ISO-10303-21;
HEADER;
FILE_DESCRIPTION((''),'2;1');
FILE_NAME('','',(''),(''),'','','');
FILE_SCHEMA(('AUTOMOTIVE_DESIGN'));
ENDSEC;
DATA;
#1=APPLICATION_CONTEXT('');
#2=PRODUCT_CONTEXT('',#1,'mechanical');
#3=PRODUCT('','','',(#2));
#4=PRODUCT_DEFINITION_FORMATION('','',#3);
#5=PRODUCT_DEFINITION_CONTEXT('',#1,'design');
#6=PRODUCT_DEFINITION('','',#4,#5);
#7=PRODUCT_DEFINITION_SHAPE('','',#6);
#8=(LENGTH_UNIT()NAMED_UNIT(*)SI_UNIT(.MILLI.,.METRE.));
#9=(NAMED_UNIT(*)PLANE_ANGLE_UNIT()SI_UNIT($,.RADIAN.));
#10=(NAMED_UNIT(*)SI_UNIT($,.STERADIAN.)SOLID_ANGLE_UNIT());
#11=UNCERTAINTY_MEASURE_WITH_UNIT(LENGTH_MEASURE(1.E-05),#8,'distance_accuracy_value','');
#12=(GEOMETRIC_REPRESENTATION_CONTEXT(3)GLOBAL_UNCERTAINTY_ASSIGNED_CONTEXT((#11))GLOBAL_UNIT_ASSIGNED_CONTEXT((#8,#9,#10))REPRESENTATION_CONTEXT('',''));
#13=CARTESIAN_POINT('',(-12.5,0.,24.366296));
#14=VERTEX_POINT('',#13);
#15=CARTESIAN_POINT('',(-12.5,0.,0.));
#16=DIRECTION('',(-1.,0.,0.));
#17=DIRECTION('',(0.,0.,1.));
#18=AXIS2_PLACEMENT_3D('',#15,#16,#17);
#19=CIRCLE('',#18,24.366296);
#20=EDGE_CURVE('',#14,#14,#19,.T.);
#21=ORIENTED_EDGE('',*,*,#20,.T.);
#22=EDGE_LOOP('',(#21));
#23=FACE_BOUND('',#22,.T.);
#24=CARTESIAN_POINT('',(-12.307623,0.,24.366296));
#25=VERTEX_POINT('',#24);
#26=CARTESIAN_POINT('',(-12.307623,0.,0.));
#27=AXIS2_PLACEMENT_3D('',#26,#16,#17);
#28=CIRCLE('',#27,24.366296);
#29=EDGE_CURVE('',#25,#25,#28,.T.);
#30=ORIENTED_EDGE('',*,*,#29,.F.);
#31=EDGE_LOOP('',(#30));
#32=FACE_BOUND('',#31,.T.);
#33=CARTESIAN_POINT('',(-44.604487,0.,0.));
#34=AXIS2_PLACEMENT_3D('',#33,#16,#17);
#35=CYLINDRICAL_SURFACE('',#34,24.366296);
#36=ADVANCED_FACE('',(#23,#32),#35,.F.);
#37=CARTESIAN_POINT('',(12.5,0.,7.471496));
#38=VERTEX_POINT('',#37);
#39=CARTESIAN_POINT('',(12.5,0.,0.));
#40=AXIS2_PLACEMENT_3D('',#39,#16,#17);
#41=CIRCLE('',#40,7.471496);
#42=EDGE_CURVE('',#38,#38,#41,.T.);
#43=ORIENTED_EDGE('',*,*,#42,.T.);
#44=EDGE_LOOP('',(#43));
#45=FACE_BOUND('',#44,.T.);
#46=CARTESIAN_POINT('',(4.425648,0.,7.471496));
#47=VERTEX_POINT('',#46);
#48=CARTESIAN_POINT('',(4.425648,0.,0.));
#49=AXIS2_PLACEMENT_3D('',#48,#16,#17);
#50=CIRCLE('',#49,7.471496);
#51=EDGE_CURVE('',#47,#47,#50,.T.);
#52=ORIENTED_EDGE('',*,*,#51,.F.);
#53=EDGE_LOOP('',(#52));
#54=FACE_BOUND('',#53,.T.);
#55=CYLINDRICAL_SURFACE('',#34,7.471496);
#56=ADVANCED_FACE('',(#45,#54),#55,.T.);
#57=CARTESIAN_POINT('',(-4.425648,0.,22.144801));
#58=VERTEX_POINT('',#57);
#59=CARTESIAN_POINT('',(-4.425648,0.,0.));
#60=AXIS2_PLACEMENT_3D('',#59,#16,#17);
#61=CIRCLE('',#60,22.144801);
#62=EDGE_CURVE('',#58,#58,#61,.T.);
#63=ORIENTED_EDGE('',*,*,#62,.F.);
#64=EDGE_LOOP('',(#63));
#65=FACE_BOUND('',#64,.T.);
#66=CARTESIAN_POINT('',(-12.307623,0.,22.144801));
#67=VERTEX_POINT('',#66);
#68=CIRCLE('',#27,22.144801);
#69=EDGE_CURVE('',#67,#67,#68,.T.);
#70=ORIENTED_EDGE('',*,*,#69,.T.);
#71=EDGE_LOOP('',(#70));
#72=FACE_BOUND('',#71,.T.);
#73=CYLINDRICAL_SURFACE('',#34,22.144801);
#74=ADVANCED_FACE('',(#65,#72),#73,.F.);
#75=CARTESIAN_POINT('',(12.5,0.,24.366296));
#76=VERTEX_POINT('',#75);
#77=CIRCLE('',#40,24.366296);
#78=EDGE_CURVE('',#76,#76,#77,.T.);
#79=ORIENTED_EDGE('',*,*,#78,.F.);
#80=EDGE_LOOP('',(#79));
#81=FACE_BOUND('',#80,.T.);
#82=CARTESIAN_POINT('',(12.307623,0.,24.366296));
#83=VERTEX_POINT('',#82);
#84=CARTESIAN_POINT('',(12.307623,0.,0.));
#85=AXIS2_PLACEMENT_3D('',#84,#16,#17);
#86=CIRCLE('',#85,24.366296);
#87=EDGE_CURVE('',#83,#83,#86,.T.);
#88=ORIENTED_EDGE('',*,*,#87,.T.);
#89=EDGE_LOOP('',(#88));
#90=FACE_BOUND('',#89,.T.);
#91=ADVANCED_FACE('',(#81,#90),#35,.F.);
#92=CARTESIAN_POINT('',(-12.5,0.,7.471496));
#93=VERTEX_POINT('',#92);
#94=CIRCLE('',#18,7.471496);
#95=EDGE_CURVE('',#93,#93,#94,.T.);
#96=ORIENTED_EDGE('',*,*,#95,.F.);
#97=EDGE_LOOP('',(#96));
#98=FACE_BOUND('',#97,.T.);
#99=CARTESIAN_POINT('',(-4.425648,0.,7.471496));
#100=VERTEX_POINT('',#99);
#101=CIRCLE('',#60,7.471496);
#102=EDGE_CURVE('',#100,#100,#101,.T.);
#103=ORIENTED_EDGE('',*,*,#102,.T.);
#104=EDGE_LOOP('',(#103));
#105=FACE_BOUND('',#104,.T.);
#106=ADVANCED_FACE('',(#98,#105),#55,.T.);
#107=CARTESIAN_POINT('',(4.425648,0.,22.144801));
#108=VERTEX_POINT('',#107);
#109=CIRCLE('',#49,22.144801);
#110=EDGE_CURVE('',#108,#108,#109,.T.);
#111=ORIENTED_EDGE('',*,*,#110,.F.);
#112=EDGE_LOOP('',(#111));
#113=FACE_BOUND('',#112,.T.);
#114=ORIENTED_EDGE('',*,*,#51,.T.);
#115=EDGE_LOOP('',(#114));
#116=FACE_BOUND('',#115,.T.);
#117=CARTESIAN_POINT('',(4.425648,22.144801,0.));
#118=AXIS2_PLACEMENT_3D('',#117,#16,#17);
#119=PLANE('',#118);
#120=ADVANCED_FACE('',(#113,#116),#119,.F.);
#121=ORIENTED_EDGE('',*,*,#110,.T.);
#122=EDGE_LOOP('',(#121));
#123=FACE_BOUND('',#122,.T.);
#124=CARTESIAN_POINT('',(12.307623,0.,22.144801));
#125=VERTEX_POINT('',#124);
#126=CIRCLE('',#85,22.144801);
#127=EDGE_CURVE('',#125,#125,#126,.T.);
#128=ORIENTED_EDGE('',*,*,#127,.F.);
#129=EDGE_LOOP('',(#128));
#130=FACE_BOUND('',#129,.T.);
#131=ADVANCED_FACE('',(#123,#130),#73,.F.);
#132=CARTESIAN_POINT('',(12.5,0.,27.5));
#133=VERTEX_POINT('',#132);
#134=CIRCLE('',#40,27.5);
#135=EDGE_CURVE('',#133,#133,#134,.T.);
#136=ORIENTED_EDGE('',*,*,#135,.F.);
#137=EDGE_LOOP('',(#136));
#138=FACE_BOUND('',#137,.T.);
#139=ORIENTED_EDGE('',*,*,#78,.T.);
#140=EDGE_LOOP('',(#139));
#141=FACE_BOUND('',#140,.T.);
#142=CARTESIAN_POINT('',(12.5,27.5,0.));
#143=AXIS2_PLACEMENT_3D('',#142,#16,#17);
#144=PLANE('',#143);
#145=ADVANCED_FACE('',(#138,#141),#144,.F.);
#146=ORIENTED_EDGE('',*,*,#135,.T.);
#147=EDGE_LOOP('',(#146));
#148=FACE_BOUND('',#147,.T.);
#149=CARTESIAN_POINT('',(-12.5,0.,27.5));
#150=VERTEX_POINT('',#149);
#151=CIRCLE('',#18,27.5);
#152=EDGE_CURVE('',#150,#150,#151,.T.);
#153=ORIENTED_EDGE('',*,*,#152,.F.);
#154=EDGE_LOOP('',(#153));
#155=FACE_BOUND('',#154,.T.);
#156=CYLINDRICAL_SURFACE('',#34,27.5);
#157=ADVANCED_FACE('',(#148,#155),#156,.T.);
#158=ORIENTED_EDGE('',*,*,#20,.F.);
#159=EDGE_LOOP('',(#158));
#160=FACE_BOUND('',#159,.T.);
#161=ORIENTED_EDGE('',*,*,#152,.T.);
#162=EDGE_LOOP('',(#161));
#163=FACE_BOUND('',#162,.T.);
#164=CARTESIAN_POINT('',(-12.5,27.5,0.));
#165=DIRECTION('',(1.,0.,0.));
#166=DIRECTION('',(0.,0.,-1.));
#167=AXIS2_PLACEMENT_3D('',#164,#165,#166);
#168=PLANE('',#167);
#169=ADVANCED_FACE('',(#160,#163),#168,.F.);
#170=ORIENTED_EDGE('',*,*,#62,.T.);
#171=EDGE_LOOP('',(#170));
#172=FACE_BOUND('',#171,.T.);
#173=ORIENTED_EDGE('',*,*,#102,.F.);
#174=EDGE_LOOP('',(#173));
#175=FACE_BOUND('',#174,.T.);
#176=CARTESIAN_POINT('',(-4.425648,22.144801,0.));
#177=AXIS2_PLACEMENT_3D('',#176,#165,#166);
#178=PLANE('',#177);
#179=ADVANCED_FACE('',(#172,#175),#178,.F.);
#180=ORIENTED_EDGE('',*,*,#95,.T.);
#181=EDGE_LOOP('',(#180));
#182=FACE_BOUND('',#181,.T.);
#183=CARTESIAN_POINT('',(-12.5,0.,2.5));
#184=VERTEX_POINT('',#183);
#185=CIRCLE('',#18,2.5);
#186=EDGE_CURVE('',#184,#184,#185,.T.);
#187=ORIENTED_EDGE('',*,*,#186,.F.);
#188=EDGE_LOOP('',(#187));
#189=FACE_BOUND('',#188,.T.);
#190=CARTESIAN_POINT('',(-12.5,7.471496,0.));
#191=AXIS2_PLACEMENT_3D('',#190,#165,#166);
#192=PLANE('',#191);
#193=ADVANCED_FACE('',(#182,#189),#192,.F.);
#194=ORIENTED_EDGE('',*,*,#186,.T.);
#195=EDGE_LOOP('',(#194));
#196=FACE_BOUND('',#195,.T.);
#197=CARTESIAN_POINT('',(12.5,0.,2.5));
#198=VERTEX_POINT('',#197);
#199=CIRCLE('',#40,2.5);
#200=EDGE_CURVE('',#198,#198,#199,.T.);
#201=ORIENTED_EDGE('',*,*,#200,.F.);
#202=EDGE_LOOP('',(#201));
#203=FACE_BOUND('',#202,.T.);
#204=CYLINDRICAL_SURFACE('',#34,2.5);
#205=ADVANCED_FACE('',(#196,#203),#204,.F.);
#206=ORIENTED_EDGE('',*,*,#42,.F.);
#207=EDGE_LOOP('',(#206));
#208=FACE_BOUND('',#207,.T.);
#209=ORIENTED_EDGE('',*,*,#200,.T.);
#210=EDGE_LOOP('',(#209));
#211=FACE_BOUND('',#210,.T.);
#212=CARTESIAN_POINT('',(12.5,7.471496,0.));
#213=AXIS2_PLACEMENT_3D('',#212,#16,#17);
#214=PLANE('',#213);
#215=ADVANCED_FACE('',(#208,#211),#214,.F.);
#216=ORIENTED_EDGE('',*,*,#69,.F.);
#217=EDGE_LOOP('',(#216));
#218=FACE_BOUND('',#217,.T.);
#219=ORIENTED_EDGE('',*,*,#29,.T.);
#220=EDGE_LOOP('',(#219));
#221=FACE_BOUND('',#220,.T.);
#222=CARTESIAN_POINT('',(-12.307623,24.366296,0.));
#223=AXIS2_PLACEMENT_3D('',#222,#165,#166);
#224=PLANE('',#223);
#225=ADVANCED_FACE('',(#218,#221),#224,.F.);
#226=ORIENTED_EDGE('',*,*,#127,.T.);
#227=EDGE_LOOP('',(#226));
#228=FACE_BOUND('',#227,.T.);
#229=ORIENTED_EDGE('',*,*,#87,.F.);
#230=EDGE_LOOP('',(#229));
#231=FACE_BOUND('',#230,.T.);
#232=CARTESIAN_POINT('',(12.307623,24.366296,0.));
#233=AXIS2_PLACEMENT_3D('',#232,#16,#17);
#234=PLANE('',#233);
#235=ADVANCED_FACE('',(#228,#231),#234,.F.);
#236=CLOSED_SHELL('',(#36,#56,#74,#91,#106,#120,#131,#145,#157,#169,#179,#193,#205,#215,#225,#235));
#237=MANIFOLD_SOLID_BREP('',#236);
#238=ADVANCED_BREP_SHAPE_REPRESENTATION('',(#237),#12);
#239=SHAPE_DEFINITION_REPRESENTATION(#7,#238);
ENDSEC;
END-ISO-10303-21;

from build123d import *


with BuildPart() as part:
    # Sketch1 → Revolve1 (revolve)
    with BuildSketch(Plane.XY, mode=Mode.PRIVATE) as revolve1_sk:
        Polygon((-12.5, 27.5), (12.5, 27.5), (12.5, 24.366296014), (12.307622825, 24.366296014), (12.307622825, 22.144801265), (4.425648175, 22.144801265), (4.425648175, 7.471496174), (12.5, 7.471496174), (12.5, 2.5), (-12.5, 2.5), (-12.5, 7.471496174), (-4.425648175, 7.471496174), (-4.425648175, 22.144801265), (-12.307622825, 22.144801265), (-12.307622825, 24.366296014), (-12.5, 24.366296014), align=None)
    revolve(revolve1_sk.sketch.rotate(Axis((-44.60448737, 0, 0), (1, 0, 0)), 90), axis=Axis((-44.60448737, 0, 0), (1, 0, 0)))


solid = part.part
